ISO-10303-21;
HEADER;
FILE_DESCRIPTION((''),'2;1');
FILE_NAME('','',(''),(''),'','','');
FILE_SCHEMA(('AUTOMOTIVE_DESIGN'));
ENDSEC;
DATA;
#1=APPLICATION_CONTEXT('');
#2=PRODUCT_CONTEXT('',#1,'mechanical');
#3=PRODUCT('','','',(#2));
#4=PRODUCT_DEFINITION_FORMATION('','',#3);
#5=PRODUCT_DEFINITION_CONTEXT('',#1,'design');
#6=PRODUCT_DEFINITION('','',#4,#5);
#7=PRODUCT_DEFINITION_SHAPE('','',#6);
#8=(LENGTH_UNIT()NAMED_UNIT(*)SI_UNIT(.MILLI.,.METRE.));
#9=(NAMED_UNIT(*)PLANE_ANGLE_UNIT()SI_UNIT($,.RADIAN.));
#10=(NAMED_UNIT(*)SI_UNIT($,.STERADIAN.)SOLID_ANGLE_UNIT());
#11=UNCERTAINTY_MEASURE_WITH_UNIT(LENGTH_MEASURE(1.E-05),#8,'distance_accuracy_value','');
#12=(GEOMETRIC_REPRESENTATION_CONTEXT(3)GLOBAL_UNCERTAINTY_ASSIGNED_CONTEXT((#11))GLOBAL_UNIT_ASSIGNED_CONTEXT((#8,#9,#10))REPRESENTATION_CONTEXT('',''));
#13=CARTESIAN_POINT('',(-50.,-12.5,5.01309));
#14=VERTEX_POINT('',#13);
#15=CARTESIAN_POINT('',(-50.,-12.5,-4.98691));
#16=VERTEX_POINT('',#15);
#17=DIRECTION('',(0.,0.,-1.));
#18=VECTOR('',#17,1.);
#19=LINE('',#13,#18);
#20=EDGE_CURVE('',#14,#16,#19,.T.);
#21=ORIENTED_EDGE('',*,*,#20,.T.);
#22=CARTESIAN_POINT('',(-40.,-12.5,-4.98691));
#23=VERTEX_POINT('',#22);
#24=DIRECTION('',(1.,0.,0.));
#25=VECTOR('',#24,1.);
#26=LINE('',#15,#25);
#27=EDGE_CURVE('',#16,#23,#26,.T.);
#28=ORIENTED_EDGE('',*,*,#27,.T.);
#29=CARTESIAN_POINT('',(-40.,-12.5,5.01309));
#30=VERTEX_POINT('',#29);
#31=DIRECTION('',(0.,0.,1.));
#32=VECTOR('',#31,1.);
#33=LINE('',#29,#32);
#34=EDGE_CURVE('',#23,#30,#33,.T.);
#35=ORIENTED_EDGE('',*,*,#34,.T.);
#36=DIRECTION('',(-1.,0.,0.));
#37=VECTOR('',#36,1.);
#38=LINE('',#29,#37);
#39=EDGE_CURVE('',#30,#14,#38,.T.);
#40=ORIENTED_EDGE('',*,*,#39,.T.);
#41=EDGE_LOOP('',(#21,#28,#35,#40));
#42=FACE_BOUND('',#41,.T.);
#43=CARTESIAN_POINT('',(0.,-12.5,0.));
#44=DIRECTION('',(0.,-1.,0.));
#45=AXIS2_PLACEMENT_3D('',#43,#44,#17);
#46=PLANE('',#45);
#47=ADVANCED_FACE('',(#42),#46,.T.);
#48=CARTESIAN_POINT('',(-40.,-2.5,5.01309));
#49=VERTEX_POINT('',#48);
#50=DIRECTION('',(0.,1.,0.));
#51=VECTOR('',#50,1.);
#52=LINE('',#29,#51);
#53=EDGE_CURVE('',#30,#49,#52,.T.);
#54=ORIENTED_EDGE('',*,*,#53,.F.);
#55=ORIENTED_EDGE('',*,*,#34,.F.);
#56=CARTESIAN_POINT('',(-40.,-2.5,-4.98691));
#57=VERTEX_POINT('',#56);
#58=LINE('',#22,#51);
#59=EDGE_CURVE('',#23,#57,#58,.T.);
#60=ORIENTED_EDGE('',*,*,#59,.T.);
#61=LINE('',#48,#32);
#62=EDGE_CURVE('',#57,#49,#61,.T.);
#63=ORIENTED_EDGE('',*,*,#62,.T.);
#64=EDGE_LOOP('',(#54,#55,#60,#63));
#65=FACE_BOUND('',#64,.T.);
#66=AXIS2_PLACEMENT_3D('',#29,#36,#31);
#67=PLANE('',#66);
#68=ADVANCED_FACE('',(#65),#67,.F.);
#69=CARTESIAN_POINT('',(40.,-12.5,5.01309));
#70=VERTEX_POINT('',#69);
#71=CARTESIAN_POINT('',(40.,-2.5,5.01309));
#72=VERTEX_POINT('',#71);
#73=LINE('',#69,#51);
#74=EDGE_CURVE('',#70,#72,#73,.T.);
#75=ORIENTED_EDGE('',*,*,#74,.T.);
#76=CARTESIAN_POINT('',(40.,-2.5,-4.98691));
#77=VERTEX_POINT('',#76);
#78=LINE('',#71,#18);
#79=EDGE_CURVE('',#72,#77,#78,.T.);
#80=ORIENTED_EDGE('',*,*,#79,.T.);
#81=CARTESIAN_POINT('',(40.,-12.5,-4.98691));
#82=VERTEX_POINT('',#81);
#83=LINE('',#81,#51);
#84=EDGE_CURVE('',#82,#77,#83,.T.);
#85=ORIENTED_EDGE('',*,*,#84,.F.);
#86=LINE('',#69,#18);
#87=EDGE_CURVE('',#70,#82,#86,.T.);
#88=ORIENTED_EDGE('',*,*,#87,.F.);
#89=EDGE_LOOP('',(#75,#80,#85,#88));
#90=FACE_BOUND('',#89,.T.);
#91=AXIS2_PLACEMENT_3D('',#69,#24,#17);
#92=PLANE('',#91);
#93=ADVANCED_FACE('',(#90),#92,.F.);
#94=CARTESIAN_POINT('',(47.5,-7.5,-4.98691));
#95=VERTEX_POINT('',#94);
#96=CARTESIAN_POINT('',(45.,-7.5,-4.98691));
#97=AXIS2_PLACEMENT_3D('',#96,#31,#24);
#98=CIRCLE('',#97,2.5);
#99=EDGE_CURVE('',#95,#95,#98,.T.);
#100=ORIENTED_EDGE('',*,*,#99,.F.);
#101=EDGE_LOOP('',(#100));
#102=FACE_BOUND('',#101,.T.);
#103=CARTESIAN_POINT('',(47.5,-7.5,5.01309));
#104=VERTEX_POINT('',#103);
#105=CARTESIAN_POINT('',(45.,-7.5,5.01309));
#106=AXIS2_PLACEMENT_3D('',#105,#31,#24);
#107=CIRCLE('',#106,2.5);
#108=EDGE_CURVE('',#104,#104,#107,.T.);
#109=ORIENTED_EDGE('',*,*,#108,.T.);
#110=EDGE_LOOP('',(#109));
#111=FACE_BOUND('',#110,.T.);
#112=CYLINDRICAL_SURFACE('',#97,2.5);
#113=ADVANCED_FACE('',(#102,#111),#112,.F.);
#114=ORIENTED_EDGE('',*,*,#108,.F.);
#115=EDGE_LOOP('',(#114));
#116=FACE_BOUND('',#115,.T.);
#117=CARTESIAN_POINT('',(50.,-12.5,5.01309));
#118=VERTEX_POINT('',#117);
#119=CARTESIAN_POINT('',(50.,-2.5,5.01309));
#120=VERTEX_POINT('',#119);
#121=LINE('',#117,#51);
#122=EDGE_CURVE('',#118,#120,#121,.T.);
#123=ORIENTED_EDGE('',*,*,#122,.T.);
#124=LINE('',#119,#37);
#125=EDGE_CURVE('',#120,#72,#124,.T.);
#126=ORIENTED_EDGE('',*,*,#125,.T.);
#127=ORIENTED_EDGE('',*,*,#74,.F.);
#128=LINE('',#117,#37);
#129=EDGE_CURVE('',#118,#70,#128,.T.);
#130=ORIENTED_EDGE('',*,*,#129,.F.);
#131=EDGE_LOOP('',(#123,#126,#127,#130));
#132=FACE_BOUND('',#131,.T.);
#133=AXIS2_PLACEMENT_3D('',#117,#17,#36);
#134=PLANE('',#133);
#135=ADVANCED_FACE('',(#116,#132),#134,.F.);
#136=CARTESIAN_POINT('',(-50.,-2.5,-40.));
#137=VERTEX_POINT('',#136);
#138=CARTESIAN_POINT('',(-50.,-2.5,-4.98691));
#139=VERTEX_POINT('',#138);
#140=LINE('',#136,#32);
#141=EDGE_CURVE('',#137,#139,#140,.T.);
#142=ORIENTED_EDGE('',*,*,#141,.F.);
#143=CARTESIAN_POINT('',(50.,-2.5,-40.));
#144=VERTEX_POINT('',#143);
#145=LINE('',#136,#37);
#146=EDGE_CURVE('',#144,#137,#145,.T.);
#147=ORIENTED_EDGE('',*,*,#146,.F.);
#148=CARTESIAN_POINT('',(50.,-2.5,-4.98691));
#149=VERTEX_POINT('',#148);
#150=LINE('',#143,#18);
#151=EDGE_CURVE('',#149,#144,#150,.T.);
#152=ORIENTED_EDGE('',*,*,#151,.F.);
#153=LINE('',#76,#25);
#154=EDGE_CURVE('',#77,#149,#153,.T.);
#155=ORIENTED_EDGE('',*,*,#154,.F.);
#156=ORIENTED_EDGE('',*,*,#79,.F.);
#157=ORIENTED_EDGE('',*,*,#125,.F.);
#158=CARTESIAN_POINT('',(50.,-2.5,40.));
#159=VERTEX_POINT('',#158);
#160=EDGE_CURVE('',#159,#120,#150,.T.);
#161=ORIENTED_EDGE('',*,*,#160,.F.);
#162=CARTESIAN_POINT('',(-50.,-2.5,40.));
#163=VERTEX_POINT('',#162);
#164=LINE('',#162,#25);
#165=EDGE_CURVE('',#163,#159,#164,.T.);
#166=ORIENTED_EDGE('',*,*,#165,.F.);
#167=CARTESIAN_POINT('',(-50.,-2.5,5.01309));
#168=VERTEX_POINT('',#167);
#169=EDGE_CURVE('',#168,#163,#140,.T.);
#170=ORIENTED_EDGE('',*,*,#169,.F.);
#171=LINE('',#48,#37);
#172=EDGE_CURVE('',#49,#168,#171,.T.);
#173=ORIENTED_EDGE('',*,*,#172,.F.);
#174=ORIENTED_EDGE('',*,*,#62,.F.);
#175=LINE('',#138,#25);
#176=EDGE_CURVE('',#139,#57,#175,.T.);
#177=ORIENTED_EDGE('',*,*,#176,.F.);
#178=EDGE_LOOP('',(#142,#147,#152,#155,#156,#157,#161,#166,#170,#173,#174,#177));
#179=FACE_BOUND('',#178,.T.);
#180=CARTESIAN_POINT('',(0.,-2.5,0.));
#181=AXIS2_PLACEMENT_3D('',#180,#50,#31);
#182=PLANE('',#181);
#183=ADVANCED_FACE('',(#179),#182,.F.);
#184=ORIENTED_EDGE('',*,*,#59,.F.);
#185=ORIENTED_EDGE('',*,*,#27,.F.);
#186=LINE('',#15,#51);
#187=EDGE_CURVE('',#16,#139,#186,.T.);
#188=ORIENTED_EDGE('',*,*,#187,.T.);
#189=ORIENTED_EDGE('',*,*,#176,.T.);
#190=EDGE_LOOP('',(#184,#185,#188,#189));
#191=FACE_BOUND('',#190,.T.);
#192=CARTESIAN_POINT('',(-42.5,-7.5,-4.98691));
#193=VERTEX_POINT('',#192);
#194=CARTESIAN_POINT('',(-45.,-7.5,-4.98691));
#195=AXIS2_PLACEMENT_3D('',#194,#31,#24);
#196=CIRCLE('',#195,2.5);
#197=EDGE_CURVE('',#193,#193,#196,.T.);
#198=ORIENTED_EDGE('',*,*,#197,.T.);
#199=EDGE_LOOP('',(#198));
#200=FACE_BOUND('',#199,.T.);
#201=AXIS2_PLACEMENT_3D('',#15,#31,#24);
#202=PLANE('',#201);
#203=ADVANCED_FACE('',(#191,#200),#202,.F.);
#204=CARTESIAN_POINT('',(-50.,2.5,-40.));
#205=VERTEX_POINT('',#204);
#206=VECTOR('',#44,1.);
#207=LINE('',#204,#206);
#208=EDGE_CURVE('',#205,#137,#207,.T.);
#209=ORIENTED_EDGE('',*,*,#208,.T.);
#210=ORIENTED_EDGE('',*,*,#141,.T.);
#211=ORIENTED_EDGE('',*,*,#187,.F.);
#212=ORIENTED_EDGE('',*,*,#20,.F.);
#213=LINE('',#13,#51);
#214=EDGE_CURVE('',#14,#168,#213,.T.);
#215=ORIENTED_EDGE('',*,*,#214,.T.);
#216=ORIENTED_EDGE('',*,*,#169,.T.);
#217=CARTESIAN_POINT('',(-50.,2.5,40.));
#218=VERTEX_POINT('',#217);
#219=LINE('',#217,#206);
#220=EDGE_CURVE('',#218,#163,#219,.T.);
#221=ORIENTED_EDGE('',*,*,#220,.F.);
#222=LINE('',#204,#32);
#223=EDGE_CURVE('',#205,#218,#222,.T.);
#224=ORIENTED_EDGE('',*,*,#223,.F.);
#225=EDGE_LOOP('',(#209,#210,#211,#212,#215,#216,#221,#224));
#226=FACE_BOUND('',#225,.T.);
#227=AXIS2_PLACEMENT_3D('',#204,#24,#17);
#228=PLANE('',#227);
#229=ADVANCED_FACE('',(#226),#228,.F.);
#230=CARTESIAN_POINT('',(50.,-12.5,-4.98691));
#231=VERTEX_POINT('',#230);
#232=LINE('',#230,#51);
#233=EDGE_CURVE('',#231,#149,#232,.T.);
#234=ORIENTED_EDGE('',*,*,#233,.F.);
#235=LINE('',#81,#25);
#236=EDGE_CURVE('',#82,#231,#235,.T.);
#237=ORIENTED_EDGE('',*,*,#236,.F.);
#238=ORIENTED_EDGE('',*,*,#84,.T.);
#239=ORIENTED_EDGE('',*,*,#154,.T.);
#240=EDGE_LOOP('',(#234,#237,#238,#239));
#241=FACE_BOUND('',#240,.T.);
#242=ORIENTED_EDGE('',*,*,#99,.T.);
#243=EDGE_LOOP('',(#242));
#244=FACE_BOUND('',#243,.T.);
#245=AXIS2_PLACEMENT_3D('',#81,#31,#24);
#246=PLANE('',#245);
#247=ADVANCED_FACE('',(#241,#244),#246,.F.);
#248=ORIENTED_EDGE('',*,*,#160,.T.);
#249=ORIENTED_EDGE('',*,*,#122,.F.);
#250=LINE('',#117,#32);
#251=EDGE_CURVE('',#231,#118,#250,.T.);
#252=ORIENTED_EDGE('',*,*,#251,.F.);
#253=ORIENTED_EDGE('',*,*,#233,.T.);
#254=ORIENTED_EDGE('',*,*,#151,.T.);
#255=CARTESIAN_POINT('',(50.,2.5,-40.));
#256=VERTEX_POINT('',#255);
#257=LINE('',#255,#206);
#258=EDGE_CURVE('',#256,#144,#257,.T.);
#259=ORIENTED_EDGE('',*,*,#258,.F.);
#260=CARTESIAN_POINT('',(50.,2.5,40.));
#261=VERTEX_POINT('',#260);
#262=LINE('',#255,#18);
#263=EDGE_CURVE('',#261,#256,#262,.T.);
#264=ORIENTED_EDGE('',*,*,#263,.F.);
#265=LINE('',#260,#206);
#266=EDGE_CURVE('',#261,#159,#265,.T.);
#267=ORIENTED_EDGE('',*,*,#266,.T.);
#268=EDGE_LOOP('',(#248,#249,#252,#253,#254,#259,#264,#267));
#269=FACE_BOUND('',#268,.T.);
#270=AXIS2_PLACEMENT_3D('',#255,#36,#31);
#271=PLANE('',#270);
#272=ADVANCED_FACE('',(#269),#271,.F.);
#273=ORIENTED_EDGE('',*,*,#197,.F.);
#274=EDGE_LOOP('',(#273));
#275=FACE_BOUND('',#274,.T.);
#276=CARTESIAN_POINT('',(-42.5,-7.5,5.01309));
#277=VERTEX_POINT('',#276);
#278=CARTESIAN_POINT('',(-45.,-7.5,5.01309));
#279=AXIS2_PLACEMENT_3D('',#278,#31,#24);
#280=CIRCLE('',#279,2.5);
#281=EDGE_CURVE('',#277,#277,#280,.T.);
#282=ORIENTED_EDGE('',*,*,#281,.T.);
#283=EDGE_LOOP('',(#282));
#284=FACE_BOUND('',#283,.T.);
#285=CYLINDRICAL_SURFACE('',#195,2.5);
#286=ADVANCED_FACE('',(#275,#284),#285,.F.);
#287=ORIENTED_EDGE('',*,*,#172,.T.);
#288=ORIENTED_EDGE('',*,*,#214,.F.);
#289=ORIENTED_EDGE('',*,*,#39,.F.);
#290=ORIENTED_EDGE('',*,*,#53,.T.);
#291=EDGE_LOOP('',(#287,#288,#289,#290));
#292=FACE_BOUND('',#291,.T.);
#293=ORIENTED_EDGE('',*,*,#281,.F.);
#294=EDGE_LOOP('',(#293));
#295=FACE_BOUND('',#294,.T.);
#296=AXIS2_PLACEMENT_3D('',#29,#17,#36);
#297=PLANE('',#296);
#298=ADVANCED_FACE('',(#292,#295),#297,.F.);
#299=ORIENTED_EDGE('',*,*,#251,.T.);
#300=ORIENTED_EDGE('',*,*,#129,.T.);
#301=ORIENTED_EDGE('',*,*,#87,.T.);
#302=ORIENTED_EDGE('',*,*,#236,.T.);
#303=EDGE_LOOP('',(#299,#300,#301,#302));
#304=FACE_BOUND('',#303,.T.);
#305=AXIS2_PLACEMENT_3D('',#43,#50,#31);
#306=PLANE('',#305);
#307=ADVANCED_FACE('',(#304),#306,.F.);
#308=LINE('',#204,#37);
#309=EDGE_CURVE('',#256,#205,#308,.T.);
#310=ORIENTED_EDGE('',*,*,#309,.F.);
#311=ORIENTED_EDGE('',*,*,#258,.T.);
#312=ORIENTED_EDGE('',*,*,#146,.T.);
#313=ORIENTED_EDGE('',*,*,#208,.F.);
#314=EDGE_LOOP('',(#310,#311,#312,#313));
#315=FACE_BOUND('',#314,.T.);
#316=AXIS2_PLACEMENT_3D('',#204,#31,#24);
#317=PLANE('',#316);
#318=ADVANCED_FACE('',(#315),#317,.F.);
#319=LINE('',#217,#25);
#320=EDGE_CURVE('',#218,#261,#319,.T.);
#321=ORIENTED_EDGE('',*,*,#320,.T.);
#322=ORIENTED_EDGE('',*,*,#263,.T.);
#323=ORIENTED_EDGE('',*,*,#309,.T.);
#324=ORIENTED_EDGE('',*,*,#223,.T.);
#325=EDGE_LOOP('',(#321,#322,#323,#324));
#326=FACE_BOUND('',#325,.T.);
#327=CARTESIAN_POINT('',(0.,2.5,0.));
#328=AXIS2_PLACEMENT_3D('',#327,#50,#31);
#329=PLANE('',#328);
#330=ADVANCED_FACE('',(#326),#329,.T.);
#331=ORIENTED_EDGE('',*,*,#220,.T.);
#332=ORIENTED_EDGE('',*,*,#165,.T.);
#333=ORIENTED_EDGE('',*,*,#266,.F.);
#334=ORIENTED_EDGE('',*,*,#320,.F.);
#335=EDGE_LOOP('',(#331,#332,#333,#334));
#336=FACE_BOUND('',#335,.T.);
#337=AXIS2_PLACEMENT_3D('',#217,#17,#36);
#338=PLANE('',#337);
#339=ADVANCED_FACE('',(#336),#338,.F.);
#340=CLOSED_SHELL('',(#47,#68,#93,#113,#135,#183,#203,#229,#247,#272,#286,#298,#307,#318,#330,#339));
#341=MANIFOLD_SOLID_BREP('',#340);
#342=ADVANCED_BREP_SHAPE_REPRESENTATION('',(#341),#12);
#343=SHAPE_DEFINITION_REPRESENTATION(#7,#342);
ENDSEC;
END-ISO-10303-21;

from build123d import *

# Parameters (mm, degrees)
SKETCH1_W           = 100
SKETCH1_H           = 80
BOSS_EXTRUDE1_DEPTH = 2.5
SKETCH3_W           = 10
SKETCH3_H           = 10
BOSS_EXTRUDE2_DEPTH = 10
SKETCH6_R           = 2.5
CUT_EXTRUDE2_DEPTH  = 10


with BuildPart() as part:
    # Sketch1 → Boss-Extrude1 (new, symmetric)
    with BuildSketch(Plane(origin=(0, 0, 0), x_dir=(1, 0, 0), z_dir=(0, 1, 0))):
        Rectangle(SKETCH1_W, SKETCH1_H)
    extrude(amount=BOSS_EXTRUDE1_DEPTH, both=True)

    # Sketch3 → Boss-Extrude2 (add)
    with BuildSketch(Plane.XZ.offset(2.5)):
        with Locations((-45, 0.013089728)):
            Rectangle(SKETCH3_W, SKETCH3_H)
        with Locations((45, 0.013089728)):
            Rectangle(SKETCH3_W, SKETCH3_H)
    extrude(amount=BOSS_EXTRUDE2_DEPTH)

    # Sketch6 → Cut-Extrude2 (cut)
    with BuildSketch(Plane.XY.offset(5.013089728)):
        with Locations((-45, -7.5)):
            Circle(SKETCH6_R)
        with Locations((45, -7.5)):
            Circle(SKETCH6_R)
    extrude(amount=-CUT_EXTRUDE2_DEPTH, mode=Mode.SUBTRACT)


solid = part.part
